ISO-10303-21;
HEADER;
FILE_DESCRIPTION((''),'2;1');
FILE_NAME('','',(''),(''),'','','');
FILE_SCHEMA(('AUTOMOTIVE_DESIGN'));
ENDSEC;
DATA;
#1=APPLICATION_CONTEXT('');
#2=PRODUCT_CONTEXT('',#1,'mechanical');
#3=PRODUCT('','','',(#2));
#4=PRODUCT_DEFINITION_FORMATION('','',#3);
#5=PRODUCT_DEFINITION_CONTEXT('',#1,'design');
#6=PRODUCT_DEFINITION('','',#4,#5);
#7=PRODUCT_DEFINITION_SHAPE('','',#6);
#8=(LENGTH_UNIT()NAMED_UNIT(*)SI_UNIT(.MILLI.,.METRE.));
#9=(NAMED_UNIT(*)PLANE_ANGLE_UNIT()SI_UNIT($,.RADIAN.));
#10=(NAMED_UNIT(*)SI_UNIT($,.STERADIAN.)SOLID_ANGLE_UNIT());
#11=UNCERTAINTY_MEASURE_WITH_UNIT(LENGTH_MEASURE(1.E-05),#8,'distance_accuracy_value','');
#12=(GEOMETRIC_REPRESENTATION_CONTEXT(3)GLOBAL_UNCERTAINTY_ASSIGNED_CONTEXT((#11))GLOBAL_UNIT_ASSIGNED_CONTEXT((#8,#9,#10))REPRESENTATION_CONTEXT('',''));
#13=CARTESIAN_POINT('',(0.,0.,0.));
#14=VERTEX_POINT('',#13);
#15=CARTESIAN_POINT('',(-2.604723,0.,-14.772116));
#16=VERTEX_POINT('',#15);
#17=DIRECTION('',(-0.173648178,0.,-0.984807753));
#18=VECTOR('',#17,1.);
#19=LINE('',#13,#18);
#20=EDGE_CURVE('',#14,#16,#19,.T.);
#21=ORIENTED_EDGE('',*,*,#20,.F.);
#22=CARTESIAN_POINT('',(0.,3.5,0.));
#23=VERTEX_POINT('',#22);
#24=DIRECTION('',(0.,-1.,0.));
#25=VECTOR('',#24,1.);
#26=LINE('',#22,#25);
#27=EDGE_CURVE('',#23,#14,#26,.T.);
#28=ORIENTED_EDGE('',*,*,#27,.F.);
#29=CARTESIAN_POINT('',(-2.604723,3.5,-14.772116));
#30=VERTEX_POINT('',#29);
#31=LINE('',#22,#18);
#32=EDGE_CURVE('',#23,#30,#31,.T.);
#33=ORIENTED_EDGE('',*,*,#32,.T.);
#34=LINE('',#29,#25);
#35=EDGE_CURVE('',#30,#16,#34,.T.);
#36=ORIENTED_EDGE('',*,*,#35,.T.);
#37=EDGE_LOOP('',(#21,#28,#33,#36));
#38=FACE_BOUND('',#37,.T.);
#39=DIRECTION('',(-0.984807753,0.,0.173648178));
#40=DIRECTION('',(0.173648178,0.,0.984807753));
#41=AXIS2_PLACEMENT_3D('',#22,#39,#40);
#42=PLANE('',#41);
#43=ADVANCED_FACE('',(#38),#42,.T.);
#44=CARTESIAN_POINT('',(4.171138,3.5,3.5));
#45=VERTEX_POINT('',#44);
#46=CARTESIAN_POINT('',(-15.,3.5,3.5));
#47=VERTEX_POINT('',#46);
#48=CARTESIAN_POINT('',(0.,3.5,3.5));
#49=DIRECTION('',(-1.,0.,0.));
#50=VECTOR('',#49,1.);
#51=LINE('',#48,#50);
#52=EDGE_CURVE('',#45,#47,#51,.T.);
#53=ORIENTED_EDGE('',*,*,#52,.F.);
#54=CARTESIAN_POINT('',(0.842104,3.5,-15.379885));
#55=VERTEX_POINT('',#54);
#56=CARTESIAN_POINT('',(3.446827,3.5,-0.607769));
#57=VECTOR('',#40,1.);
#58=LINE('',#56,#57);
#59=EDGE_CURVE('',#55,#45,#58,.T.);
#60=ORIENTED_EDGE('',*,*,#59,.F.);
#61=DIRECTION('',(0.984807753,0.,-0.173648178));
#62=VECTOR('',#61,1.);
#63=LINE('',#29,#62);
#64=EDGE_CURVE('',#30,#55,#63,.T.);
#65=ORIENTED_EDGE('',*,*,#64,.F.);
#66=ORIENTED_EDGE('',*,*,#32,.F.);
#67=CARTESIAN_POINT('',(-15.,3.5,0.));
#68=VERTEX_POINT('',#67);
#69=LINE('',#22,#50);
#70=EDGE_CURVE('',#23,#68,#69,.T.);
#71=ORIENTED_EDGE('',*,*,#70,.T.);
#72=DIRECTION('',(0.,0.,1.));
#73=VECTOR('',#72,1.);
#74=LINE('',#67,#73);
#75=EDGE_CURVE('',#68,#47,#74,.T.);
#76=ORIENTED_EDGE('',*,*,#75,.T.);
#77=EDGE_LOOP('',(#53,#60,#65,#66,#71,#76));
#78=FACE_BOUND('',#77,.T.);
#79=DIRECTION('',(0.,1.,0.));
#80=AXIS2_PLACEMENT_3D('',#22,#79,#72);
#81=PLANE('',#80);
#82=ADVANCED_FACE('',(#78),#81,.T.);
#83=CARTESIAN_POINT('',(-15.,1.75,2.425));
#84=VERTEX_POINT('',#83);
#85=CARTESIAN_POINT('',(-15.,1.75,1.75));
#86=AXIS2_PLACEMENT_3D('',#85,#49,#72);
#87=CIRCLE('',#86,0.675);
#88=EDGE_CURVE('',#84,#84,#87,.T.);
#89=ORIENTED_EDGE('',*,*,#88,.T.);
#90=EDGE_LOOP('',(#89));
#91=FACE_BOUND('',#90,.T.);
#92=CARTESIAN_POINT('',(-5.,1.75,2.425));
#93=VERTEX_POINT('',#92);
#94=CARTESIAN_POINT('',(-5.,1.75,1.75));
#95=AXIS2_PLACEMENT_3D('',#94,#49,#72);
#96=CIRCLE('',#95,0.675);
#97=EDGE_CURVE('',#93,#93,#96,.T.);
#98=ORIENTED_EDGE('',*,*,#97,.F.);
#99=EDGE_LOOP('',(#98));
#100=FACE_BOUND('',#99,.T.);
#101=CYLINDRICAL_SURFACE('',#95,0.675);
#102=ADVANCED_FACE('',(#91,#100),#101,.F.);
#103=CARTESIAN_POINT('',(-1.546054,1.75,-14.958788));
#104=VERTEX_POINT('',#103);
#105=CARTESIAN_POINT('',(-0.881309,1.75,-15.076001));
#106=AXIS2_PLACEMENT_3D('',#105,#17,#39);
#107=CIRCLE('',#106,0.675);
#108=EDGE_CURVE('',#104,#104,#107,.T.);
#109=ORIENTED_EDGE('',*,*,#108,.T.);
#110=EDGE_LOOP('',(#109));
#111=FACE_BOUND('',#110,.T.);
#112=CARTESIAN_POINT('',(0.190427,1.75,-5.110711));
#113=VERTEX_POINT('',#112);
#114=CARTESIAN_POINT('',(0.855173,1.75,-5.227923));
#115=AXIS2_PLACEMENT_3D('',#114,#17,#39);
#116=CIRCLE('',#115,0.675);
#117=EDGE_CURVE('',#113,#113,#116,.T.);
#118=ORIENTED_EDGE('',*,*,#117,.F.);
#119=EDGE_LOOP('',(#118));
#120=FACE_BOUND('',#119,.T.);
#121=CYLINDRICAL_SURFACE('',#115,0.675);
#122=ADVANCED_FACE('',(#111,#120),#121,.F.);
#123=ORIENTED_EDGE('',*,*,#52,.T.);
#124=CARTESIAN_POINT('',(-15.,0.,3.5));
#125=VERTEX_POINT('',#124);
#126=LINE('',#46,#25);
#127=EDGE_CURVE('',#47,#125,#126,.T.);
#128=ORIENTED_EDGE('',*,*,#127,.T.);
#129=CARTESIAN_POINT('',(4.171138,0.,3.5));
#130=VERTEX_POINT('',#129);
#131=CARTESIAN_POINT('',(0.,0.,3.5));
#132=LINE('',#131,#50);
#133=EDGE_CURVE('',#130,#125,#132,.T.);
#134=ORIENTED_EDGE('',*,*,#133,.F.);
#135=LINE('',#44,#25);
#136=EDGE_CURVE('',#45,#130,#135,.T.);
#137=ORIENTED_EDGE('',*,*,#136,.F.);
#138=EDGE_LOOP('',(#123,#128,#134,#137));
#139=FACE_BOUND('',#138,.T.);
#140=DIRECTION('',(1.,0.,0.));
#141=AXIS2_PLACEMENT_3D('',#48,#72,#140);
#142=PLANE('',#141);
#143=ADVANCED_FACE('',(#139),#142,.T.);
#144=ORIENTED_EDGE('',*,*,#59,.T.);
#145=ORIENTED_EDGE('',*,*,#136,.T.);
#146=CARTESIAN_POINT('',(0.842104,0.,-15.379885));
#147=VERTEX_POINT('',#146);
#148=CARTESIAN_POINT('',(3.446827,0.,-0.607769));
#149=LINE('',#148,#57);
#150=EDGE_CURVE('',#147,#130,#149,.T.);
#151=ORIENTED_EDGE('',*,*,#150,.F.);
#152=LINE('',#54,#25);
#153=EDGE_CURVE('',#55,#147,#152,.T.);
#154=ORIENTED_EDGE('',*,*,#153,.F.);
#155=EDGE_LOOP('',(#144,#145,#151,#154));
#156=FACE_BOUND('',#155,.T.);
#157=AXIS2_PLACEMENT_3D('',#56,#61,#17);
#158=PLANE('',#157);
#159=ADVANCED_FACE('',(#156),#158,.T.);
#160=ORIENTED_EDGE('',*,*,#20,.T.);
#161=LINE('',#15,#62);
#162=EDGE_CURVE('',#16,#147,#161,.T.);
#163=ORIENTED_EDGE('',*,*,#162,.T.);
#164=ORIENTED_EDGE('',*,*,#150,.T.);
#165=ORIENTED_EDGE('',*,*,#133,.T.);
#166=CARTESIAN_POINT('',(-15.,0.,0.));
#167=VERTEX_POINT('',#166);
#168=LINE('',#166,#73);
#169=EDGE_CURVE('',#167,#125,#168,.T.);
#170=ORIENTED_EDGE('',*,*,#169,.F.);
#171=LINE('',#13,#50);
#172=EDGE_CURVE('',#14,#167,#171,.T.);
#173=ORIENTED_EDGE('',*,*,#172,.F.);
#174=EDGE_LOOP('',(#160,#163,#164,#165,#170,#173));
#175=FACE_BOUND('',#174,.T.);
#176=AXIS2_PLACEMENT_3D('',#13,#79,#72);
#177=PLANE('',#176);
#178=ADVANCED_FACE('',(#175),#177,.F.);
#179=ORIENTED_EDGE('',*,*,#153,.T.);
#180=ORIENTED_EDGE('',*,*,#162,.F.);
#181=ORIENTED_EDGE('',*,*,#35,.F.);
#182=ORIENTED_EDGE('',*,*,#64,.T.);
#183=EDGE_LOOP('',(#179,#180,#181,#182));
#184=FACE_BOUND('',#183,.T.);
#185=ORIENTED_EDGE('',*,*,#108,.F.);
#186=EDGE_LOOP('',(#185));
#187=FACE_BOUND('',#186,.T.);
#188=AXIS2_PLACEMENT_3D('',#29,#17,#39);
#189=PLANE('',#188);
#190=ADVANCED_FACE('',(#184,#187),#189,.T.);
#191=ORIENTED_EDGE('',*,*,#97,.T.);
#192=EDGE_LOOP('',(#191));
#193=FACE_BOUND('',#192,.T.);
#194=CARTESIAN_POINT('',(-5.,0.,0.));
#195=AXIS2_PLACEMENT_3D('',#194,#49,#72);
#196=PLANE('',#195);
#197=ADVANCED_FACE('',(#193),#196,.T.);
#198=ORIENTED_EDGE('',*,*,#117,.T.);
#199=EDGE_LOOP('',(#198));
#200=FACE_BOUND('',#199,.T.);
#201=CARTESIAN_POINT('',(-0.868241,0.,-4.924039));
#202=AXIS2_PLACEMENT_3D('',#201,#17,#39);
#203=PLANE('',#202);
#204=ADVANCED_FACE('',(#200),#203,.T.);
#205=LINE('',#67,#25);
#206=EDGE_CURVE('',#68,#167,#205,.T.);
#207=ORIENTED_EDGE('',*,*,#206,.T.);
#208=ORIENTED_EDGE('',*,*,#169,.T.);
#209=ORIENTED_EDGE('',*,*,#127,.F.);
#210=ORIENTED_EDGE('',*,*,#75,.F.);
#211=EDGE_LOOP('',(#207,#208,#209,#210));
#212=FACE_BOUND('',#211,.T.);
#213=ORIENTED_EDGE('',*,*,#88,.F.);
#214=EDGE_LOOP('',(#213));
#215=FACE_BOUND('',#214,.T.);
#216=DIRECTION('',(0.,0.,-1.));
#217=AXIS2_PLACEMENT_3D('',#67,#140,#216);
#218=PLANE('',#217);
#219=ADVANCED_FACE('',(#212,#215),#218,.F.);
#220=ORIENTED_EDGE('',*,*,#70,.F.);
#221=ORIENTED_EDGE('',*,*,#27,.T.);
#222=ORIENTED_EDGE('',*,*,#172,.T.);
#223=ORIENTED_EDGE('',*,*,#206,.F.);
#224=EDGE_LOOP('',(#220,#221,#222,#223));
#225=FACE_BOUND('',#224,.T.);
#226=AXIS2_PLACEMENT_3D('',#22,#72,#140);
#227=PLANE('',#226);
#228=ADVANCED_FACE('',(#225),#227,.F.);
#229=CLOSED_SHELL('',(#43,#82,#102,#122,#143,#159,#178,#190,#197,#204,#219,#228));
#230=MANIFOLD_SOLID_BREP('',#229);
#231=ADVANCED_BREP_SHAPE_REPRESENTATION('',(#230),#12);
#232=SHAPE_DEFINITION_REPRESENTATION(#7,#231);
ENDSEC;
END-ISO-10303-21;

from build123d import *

# Parameters (mm, degrees)
BOSS_EXTRUDE1_DEPTH = 3.5
SKETCH3_R           = 0.675
CUT_EXTRUDE1_DEPTH  = 10
SKETCH4_R           = 0.675
CUT_EXTRUDE3_DEPTH  = 10


with BuildPart() as part:
    # Sketch2 → Boss-Extrude1 (new body)
    with BuildSketch(Plane(origin=(0, 0, 0), x_dir=(1, 0, 0), z_dir=(0, 1, 0))):
        Polygon((-2.604722665, 14.772116295), (0, 0), (-15, 0), (-15, -3.5), (4.171137574, -3.5), (0.842104471, 15.379884917), align=None)
    extrude(amount=BOSS_EXTRUDE1_DEPTH)

    # Sketch3 → Cut-Extrude1 (cut)
    with BuildSketch(Plane.ZY.offset(15)):
        with Locations((1.75, 1.75)):
            Circle(SKETCH3_R)
    extrude(amount=-CUT_EXTRUDE1_DEPTH, mode=Mode.SUBTRACT)

    # Sketch4 → Cut-Extrude3 (cut)
    with BuildSketch(Plane(origin=(-2.604722665, 0, -14.772116295), x_dir=(-0.9848077530122086, 0, 0.17364817766692825), z_dir=(-0.17364817766692825, 0, -0.9848077530122086))):
        with Locations((-1.75, 1.75)):
            Circle(SKETCH4_R)
    extrude(amount=-CUT_EXTRUDE3_DEPTH, mode=Mode.SUBTRACT)


solid = part.part
